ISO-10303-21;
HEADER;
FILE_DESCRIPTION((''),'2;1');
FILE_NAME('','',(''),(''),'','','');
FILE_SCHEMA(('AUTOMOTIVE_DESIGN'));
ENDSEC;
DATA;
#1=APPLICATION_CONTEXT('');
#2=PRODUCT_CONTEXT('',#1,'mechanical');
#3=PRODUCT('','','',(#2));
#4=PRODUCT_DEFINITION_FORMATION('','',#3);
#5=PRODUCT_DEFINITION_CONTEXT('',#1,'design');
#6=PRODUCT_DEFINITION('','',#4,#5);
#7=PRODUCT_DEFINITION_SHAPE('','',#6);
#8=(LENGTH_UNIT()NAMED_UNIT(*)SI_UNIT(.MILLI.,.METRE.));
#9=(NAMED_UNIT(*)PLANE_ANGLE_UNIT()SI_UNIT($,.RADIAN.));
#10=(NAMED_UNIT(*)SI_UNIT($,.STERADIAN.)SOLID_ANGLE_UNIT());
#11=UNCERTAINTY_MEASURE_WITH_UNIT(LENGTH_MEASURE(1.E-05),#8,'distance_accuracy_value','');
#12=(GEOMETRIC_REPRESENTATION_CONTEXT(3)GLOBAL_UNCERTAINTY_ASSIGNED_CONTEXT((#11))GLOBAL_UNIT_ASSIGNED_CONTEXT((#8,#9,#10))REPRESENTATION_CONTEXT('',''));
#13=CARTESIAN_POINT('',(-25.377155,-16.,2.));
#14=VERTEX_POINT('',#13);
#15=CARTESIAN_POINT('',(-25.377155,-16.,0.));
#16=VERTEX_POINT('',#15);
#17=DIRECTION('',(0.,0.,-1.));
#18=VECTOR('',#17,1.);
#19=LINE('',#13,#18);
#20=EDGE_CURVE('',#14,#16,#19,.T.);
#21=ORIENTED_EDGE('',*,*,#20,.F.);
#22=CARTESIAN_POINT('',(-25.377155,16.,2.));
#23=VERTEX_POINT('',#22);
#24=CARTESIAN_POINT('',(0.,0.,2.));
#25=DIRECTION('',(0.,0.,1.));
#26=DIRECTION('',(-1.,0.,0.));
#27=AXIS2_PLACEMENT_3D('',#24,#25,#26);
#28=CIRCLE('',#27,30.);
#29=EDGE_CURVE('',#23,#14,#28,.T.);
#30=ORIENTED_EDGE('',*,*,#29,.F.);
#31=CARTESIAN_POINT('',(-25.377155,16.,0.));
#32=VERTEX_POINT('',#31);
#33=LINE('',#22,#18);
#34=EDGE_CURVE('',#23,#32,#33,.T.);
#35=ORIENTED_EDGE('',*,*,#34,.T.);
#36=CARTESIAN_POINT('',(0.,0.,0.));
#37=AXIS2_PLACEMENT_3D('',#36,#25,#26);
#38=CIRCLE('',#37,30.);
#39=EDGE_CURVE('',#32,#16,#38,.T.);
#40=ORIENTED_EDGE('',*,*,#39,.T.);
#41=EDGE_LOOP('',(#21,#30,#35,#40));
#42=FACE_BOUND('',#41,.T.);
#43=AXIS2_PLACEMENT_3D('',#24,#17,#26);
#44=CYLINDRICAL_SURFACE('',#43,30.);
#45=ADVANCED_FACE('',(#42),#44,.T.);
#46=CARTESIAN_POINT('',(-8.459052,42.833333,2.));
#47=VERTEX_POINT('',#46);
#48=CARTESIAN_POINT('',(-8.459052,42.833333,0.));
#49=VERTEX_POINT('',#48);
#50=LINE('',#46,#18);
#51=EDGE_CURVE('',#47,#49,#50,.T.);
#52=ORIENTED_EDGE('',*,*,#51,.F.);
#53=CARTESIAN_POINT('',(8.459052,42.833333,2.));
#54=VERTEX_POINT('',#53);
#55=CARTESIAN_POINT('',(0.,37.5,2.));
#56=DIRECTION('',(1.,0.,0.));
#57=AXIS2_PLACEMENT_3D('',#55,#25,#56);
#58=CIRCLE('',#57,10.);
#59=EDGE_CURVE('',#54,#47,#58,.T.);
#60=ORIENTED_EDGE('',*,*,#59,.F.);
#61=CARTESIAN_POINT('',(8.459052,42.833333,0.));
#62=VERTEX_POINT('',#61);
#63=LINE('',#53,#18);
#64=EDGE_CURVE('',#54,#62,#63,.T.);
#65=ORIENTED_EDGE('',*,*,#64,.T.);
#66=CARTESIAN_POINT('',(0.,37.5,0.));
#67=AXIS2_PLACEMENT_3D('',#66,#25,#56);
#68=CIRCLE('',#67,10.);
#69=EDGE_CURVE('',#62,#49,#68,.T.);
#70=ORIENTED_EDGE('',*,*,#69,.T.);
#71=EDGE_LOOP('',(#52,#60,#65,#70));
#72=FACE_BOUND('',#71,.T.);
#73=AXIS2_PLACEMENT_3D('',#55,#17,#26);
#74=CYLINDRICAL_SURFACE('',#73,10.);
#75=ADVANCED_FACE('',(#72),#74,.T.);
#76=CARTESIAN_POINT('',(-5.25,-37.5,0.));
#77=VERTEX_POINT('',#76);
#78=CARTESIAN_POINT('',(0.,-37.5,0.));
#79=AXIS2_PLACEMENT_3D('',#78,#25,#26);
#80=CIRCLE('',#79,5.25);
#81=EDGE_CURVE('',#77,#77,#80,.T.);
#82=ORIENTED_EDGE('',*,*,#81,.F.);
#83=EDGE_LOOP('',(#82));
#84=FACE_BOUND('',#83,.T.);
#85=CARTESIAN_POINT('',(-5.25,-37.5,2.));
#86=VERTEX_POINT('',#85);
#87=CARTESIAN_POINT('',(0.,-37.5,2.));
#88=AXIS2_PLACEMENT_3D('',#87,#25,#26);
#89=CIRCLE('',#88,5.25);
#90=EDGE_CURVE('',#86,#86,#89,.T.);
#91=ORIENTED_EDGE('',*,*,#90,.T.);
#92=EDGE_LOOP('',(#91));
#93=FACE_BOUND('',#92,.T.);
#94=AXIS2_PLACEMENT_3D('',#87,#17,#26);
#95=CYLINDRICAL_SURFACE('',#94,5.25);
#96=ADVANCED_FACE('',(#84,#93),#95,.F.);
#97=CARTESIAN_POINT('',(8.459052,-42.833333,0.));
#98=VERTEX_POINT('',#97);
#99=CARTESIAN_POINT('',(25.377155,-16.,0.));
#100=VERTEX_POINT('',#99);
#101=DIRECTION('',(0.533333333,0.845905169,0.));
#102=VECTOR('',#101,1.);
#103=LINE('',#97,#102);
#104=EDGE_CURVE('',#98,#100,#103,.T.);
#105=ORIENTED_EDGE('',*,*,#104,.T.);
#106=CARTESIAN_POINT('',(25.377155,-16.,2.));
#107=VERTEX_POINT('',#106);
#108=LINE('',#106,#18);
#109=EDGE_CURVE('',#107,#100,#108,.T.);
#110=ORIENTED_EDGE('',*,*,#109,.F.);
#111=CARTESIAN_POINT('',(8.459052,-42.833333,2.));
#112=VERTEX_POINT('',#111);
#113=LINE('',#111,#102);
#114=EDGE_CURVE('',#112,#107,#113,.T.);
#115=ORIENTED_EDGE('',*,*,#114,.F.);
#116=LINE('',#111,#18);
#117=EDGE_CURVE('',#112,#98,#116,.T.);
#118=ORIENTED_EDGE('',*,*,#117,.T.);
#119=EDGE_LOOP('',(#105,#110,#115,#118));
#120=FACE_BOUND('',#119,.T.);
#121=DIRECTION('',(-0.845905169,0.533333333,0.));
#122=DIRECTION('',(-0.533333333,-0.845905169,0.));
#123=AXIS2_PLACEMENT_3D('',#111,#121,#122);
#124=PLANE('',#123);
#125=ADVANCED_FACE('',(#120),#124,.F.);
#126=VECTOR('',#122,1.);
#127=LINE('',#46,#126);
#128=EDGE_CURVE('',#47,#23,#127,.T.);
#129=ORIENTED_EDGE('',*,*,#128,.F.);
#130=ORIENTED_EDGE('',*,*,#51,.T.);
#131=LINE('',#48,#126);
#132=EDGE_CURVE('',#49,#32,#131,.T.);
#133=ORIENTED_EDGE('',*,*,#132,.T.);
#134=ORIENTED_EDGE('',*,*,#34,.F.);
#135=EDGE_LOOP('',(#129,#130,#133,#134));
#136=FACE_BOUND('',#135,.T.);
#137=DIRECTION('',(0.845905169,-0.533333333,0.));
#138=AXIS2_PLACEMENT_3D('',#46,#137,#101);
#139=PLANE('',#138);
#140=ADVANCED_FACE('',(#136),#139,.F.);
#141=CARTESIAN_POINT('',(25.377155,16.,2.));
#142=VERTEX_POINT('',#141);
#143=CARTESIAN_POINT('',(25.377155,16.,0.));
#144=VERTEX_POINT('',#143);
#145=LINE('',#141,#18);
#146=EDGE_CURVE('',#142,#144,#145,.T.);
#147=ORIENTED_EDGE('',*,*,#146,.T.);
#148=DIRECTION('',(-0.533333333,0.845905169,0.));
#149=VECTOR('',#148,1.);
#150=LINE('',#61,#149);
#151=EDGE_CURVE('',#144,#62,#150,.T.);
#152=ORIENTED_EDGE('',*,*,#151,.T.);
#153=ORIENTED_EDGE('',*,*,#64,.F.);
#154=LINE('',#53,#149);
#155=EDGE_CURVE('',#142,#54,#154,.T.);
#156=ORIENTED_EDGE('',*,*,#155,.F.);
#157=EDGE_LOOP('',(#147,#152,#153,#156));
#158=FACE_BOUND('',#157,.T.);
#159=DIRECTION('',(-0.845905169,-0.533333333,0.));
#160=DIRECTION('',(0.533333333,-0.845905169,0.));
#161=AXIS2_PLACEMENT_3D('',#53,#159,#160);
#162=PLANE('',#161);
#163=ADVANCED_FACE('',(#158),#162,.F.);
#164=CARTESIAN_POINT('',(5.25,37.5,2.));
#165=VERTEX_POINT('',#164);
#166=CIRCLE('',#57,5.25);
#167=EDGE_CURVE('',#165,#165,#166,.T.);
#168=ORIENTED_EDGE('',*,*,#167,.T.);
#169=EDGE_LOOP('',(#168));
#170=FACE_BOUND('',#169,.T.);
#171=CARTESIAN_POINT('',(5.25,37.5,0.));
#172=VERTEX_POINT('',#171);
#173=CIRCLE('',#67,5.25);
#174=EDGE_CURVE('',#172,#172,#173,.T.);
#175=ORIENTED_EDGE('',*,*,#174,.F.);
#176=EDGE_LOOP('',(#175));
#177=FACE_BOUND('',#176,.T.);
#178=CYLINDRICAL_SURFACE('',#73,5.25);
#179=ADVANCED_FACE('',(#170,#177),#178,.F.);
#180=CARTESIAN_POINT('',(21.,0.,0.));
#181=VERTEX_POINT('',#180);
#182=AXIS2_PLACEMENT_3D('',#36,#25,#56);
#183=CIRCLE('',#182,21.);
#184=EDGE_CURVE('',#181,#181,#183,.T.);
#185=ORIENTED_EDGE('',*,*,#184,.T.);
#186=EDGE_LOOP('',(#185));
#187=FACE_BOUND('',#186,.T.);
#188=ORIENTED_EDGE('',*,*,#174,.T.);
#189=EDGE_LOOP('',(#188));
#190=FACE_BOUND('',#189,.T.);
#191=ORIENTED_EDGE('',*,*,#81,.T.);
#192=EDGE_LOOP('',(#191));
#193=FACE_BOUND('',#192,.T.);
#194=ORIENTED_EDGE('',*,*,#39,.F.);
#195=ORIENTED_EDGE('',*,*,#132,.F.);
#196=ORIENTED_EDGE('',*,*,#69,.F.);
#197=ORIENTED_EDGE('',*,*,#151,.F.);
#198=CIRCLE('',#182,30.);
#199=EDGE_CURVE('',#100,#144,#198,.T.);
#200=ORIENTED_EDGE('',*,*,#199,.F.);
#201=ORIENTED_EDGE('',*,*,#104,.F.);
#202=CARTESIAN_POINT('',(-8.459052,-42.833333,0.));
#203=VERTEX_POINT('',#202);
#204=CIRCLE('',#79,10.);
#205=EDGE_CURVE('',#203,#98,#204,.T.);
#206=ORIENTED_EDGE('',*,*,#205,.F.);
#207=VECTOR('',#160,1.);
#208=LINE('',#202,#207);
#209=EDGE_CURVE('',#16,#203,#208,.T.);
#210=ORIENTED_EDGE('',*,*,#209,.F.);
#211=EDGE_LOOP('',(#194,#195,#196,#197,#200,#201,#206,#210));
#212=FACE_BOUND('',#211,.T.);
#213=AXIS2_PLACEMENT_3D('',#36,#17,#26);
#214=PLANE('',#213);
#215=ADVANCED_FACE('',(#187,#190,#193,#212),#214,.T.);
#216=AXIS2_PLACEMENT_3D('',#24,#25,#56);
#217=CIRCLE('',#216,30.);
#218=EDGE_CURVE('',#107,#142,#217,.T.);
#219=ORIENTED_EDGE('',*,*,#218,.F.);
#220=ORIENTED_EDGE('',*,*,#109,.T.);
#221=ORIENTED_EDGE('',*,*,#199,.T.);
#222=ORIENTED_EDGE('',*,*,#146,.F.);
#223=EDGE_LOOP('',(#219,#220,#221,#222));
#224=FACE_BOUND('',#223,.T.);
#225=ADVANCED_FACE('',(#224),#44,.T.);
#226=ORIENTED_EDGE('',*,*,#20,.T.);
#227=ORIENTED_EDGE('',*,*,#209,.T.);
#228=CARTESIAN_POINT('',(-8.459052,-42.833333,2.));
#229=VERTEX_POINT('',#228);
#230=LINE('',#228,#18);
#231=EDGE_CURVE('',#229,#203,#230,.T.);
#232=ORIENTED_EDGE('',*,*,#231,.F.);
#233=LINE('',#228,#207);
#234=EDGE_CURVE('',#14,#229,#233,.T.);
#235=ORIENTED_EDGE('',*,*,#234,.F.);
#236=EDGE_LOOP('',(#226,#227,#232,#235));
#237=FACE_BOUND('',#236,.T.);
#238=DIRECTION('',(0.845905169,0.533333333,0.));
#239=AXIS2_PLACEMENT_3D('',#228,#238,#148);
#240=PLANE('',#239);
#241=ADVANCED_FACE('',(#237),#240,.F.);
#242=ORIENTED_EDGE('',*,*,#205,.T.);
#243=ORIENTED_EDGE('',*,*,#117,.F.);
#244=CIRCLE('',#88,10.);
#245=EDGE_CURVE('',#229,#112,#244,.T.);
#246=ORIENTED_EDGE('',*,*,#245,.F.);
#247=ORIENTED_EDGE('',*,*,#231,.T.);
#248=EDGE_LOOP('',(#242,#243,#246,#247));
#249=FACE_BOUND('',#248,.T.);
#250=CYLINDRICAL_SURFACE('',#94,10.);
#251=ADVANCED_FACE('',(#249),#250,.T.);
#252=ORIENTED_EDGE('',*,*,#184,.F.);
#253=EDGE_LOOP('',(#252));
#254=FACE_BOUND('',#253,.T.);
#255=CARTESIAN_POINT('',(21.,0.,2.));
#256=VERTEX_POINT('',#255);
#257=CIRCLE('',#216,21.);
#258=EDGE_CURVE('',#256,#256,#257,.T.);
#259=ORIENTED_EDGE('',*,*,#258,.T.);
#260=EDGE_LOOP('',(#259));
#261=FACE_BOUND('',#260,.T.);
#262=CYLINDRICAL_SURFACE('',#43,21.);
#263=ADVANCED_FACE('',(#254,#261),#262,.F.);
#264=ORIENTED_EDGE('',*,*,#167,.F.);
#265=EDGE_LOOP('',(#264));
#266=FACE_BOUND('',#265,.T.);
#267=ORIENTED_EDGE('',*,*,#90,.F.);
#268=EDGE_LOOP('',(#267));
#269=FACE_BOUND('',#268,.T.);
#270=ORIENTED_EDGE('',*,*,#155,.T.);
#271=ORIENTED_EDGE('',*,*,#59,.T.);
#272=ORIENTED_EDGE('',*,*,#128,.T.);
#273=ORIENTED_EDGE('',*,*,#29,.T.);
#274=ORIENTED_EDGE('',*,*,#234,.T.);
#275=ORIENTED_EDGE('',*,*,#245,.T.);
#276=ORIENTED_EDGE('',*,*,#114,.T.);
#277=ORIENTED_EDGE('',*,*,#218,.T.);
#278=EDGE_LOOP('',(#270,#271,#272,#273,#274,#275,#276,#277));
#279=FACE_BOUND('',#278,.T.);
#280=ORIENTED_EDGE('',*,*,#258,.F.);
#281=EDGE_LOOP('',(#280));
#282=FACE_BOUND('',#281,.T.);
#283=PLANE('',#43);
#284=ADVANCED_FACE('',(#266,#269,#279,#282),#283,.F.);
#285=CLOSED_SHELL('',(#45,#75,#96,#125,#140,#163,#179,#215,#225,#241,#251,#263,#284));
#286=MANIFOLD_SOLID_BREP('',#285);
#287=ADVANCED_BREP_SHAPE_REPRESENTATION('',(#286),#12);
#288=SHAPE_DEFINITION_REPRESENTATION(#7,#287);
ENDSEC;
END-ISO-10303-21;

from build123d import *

# Parameters (mm, degrees)
SKETCH3_R           = 5.25
SKETCH3_R_2         = 21
BOSS_EXTRUDE1_DEPTH = 2


with BuildPart() as part:
    # Sketch3 → Boss-Extrude1 (new body)
    with BuildSketch(Plane.XY):
        with BuildLine():
            Line((8.459051694, 42.833333333), (25.377155081, 16))
            ThreePointArc((25.377155081, 16), (30, 0), (25.377155081, -16))
            Line((25.377155081, -16), (8.459051694, -42.833333333))
            ThreePointArc((8.459051694, -42.833333333), (0, -47.5), (-8.459051694, -42.833333333))
            Line((-8.459051694, -42.833333333), (-25.377155081, -16))
            ThreePointArc((-25.377155081, -16), (-30, 0), (-25.377155081, 16))
            Line((-25.377155081, 16), (-8.459051694, 42.833333333))
            ThreePointArc((-8.459051694, 42.833333333), (0, 47.5), (8.459051694, 42.833333333))
        make_face()
        with Locations((0, 37.5)):
            Circle(SKETCH3_R, mode=Mode.SUBTRACT)
        Circle(SKETCH3_R_2, mode=Mode.SUBTRACT)
        with Locations(Location((0, -37.5, 0), (0, 0, 180))):
            Circle(SKETCH3_R, mode=Mode.SUBTRACT)
    extrude(amount=BOSS_EXTRUDE1_DEPTH)


solid = part.part
